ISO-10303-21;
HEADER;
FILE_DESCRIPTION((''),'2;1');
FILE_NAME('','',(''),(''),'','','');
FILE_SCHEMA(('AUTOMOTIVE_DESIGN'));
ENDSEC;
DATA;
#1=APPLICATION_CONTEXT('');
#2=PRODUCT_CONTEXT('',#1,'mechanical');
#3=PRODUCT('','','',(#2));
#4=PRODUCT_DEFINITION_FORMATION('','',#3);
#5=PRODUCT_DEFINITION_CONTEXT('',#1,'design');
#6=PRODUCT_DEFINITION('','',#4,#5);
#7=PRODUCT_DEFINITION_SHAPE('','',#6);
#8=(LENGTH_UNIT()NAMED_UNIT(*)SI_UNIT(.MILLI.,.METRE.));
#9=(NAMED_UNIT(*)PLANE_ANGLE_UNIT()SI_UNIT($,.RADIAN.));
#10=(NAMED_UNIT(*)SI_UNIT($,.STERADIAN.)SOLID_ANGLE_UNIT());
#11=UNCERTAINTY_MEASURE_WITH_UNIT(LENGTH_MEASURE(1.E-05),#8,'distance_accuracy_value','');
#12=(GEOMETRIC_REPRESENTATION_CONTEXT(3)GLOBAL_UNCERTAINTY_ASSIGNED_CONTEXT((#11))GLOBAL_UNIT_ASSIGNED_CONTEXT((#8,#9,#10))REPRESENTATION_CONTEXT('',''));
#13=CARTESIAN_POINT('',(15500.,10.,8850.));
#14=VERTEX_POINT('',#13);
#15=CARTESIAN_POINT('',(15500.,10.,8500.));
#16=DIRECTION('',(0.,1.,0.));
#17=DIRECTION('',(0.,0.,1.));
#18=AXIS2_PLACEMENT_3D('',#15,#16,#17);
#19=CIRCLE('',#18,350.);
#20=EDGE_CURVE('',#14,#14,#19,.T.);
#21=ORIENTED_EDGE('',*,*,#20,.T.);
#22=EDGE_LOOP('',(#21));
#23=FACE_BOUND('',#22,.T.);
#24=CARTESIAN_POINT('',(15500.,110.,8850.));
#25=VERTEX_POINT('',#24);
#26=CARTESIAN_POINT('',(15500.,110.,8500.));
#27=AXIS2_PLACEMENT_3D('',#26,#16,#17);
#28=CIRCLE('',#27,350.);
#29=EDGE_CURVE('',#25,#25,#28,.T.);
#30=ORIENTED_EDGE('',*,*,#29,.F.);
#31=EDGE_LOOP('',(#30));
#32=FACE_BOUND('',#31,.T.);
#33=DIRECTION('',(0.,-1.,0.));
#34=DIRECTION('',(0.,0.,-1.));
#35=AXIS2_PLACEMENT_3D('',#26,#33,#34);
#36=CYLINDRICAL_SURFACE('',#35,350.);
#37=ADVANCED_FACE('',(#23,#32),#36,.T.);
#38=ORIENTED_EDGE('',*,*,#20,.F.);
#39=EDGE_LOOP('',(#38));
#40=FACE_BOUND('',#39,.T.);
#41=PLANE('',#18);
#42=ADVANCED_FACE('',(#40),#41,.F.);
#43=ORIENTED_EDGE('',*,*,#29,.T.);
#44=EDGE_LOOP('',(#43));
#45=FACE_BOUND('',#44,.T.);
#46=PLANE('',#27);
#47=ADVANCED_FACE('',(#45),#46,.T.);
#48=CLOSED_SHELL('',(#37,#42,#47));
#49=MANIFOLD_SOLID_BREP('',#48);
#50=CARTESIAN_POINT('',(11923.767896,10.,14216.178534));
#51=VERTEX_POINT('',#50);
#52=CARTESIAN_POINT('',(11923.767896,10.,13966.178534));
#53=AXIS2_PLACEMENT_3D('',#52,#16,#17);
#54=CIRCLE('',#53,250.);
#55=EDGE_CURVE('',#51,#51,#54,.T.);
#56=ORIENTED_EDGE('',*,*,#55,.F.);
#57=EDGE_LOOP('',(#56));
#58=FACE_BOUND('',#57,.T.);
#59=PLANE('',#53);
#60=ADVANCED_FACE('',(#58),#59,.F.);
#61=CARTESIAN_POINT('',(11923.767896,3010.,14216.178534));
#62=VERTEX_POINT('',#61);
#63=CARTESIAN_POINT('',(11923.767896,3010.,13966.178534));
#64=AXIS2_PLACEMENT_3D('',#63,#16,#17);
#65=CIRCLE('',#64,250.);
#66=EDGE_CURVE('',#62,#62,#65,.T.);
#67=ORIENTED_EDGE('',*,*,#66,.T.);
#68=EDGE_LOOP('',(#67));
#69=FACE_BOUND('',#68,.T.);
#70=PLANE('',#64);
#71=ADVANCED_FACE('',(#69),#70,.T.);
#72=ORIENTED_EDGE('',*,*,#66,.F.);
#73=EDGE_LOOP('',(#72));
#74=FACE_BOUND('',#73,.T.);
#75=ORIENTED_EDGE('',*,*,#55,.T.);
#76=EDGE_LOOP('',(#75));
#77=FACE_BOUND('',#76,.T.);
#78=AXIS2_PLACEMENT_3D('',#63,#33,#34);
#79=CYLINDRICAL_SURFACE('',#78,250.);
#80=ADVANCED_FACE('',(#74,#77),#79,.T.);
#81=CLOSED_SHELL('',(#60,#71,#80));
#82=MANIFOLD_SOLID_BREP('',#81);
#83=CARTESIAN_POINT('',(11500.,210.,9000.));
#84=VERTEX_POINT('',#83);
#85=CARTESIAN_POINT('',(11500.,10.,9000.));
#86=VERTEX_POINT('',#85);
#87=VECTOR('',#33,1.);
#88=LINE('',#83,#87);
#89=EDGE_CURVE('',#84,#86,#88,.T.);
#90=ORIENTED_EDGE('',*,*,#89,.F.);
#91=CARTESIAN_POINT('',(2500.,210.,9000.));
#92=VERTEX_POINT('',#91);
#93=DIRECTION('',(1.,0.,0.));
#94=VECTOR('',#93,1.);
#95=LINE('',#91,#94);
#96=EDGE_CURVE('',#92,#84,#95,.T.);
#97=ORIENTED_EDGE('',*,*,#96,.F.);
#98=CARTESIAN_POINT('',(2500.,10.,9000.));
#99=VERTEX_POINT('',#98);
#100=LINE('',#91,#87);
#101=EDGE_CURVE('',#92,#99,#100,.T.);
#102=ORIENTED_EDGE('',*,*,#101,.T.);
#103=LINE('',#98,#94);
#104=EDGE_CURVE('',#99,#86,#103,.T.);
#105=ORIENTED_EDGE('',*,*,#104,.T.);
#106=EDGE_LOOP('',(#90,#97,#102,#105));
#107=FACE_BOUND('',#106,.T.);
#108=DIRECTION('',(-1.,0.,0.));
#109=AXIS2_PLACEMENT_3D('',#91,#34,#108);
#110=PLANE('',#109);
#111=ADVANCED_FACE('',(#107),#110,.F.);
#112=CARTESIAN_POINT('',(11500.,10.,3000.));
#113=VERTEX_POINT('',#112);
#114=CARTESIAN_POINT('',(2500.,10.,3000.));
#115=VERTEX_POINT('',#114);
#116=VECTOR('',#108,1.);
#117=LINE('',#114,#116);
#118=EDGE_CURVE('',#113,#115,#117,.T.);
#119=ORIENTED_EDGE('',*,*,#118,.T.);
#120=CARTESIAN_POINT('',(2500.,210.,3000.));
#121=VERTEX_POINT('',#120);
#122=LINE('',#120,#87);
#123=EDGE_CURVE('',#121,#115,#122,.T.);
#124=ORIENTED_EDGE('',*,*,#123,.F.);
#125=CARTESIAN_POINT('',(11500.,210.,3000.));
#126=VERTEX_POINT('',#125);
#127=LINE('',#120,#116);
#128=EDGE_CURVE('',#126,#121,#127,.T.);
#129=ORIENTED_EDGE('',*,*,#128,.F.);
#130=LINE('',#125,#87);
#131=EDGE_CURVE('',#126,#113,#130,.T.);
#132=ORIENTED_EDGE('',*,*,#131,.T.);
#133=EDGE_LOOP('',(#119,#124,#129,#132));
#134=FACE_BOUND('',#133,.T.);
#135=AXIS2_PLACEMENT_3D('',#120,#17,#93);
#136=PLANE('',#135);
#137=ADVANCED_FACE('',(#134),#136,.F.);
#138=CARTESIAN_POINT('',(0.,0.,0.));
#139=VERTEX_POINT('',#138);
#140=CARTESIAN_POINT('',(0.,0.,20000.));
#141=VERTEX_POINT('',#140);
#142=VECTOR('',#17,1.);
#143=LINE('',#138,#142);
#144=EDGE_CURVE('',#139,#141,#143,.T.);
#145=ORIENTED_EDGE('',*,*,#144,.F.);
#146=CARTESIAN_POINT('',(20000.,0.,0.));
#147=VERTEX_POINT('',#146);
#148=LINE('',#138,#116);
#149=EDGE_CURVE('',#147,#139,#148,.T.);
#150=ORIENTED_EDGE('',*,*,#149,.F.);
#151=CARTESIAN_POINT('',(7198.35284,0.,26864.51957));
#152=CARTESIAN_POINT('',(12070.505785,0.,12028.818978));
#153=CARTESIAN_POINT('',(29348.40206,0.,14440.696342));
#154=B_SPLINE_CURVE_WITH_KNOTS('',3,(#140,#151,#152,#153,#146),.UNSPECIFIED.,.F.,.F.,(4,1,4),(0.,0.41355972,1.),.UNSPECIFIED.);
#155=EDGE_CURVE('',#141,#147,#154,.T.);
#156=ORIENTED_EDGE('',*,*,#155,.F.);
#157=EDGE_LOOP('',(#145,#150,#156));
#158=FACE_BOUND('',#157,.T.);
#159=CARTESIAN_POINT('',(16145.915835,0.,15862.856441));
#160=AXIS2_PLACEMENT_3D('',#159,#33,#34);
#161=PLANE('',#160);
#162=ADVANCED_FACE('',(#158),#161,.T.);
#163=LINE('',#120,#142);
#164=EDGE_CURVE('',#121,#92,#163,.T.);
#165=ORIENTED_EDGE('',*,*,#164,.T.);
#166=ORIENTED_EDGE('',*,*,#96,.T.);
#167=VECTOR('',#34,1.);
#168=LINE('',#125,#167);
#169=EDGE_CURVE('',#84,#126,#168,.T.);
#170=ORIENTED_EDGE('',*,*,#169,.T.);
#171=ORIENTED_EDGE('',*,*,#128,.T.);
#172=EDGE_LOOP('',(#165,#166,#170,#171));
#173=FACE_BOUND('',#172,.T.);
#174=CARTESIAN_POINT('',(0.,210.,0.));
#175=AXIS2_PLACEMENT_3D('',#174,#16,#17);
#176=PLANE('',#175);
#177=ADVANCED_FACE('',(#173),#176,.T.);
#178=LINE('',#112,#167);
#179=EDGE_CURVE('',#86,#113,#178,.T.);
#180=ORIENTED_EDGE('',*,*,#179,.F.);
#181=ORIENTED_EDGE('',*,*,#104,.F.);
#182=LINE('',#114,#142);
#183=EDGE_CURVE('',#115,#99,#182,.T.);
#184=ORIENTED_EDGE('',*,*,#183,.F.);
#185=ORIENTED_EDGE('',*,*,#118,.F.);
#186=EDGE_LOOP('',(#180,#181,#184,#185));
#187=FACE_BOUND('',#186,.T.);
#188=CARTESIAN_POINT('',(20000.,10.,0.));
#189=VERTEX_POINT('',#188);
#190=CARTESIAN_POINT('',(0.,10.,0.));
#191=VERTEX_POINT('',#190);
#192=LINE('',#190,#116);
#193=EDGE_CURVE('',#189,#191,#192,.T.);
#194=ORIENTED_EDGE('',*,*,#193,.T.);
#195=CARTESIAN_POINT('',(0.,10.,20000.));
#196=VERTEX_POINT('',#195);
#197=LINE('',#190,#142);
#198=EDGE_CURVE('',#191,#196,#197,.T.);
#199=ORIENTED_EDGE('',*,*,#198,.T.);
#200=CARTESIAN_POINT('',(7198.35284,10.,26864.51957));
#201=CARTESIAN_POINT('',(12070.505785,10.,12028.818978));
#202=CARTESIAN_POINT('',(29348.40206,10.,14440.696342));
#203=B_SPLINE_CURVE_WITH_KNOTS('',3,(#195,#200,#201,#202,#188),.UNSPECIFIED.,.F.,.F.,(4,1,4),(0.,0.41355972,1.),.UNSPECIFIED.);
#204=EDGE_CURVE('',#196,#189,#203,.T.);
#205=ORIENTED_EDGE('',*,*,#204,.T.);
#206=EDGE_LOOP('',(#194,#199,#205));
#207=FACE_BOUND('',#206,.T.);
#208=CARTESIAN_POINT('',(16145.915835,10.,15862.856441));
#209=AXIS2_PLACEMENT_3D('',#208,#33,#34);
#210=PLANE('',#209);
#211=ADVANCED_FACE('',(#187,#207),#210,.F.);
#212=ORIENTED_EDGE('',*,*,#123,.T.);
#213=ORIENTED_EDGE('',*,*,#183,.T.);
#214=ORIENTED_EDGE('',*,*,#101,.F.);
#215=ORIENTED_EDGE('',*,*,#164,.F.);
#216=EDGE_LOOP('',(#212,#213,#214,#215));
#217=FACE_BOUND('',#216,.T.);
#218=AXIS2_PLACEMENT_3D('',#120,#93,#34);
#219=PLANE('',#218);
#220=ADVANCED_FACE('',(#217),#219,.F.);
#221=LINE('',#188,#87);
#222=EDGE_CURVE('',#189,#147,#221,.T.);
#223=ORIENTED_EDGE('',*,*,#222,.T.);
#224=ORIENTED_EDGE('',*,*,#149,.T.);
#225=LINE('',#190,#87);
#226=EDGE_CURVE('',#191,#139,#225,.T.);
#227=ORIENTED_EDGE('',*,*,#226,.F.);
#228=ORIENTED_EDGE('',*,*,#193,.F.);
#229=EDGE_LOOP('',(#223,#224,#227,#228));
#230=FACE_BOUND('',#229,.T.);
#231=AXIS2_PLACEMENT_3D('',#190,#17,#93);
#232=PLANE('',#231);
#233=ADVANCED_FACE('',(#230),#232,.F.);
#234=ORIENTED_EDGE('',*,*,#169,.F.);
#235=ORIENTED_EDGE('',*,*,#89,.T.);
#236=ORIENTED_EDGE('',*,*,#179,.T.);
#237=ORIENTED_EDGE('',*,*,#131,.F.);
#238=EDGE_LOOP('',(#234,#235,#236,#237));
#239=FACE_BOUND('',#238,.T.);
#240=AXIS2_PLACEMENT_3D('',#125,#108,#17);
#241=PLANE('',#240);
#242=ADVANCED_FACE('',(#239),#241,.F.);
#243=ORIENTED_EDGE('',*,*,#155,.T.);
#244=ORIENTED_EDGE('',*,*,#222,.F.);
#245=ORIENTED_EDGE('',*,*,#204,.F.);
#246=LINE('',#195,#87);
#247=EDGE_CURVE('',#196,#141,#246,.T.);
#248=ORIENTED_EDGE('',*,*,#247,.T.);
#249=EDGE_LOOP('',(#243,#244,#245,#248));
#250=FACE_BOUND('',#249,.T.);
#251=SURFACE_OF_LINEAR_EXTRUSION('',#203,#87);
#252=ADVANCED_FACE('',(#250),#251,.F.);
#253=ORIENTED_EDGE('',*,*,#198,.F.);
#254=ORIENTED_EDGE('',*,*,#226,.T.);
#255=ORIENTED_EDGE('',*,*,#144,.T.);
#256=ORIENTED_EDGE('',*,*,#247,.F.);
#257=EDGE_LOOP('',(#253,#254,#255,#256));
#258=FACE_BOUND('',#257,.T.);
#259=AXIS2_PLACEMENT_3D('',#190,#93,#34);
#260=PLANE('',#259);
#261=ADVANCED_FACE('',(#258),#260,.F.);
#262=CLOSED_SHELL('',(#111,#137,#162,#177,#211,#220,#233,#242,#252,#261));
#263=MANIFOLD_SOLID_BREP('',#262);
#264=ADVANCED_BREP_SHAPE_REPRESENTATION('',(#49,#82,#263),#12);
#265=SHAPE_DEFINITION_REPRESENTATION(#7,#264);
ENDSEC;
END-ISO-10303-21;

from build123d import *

# Parameters (mm, degrees)
EXTRUDE_1_DEPTH = 10
SKETCH_2_W      = 9000
SKETCH_2_H      = 6000
EXTRUDE_2_DEPTH = 200
SKETCH_3_R      = 350
EXTRUDE_3_DEPTH = 100
SKETCH_4_R      = 250
EXTRUDE_4_DEPTH = 3000


with BuildPart() as part:
    # Эскиз1 → Бобышка-Вытянуть1 (new body)
    with BuildSketch(Plane(origin=(0, 0, 0), x_dir=(1, 0, 0), z_dir=(0, 1, 0))):
        with BuildLine():
            Line((0, 0), (20000, 0))
            add(Edge.make_bspline(
                [(0, -20000), (7198.35283971, -26864.519570208), (12070.505785396, -12028.818977693), (29348.40206024, -14440.696342407), (20000, 0)],
                knots=[0, 0, 0, 0, 0.41355972, 1, 1, 1, 1], degree=3))
            Line((0, -20000), (0, 0))
        make_face()
    extrude(amount=EXTRUDE_1_DEPTH)

    # Эскиз2 → Бобышка-Вытянуть2 (add)
    with BuildSketch(Plane(origin=(0, 10, 0), x_dir=(1, 0, 0), z_dir=(0, 1, 0))):
        with Locations((7000, -6000)):
            Rectangle(SKETCH_2_W, SKETCH_2_H)
    extrude(amount=EXTRUDE_2_DEPTH)


with BuildPart() as body_2:
    # Эскиз3 → Бобышка-Вытянуть3 (new body)
    with BuildSketch(Plane(origin=(0, 10, 0), x_dir=(1, 0, 0), z_dir=(0, 1, 0))):
        with Locations(Location((15500, -8500, 0), (0, 0, 270))):
            Circle(SKETCH_3_R)
    extrude(amount=EXTRUDE_3_DEPTH)


with BuildPart() as body_3:
    # Эскиз4 → Бобышка-Вытянуть4 (new body)
    with BuildSketch(Plane(origin=(0, 10, 0), x_dir=(1, 0, 0), z_dir=(0, 1, 0))):
        with Locations(Location((11923.76789565, -13966.178533957, 0), (0, 0, 270))):
            Circle(SKETCH_4_R)
    extrude(amount=EXTRUDE_4_DEPTH)


solid = Compound([part.part, body_2.part, body_3.part])
